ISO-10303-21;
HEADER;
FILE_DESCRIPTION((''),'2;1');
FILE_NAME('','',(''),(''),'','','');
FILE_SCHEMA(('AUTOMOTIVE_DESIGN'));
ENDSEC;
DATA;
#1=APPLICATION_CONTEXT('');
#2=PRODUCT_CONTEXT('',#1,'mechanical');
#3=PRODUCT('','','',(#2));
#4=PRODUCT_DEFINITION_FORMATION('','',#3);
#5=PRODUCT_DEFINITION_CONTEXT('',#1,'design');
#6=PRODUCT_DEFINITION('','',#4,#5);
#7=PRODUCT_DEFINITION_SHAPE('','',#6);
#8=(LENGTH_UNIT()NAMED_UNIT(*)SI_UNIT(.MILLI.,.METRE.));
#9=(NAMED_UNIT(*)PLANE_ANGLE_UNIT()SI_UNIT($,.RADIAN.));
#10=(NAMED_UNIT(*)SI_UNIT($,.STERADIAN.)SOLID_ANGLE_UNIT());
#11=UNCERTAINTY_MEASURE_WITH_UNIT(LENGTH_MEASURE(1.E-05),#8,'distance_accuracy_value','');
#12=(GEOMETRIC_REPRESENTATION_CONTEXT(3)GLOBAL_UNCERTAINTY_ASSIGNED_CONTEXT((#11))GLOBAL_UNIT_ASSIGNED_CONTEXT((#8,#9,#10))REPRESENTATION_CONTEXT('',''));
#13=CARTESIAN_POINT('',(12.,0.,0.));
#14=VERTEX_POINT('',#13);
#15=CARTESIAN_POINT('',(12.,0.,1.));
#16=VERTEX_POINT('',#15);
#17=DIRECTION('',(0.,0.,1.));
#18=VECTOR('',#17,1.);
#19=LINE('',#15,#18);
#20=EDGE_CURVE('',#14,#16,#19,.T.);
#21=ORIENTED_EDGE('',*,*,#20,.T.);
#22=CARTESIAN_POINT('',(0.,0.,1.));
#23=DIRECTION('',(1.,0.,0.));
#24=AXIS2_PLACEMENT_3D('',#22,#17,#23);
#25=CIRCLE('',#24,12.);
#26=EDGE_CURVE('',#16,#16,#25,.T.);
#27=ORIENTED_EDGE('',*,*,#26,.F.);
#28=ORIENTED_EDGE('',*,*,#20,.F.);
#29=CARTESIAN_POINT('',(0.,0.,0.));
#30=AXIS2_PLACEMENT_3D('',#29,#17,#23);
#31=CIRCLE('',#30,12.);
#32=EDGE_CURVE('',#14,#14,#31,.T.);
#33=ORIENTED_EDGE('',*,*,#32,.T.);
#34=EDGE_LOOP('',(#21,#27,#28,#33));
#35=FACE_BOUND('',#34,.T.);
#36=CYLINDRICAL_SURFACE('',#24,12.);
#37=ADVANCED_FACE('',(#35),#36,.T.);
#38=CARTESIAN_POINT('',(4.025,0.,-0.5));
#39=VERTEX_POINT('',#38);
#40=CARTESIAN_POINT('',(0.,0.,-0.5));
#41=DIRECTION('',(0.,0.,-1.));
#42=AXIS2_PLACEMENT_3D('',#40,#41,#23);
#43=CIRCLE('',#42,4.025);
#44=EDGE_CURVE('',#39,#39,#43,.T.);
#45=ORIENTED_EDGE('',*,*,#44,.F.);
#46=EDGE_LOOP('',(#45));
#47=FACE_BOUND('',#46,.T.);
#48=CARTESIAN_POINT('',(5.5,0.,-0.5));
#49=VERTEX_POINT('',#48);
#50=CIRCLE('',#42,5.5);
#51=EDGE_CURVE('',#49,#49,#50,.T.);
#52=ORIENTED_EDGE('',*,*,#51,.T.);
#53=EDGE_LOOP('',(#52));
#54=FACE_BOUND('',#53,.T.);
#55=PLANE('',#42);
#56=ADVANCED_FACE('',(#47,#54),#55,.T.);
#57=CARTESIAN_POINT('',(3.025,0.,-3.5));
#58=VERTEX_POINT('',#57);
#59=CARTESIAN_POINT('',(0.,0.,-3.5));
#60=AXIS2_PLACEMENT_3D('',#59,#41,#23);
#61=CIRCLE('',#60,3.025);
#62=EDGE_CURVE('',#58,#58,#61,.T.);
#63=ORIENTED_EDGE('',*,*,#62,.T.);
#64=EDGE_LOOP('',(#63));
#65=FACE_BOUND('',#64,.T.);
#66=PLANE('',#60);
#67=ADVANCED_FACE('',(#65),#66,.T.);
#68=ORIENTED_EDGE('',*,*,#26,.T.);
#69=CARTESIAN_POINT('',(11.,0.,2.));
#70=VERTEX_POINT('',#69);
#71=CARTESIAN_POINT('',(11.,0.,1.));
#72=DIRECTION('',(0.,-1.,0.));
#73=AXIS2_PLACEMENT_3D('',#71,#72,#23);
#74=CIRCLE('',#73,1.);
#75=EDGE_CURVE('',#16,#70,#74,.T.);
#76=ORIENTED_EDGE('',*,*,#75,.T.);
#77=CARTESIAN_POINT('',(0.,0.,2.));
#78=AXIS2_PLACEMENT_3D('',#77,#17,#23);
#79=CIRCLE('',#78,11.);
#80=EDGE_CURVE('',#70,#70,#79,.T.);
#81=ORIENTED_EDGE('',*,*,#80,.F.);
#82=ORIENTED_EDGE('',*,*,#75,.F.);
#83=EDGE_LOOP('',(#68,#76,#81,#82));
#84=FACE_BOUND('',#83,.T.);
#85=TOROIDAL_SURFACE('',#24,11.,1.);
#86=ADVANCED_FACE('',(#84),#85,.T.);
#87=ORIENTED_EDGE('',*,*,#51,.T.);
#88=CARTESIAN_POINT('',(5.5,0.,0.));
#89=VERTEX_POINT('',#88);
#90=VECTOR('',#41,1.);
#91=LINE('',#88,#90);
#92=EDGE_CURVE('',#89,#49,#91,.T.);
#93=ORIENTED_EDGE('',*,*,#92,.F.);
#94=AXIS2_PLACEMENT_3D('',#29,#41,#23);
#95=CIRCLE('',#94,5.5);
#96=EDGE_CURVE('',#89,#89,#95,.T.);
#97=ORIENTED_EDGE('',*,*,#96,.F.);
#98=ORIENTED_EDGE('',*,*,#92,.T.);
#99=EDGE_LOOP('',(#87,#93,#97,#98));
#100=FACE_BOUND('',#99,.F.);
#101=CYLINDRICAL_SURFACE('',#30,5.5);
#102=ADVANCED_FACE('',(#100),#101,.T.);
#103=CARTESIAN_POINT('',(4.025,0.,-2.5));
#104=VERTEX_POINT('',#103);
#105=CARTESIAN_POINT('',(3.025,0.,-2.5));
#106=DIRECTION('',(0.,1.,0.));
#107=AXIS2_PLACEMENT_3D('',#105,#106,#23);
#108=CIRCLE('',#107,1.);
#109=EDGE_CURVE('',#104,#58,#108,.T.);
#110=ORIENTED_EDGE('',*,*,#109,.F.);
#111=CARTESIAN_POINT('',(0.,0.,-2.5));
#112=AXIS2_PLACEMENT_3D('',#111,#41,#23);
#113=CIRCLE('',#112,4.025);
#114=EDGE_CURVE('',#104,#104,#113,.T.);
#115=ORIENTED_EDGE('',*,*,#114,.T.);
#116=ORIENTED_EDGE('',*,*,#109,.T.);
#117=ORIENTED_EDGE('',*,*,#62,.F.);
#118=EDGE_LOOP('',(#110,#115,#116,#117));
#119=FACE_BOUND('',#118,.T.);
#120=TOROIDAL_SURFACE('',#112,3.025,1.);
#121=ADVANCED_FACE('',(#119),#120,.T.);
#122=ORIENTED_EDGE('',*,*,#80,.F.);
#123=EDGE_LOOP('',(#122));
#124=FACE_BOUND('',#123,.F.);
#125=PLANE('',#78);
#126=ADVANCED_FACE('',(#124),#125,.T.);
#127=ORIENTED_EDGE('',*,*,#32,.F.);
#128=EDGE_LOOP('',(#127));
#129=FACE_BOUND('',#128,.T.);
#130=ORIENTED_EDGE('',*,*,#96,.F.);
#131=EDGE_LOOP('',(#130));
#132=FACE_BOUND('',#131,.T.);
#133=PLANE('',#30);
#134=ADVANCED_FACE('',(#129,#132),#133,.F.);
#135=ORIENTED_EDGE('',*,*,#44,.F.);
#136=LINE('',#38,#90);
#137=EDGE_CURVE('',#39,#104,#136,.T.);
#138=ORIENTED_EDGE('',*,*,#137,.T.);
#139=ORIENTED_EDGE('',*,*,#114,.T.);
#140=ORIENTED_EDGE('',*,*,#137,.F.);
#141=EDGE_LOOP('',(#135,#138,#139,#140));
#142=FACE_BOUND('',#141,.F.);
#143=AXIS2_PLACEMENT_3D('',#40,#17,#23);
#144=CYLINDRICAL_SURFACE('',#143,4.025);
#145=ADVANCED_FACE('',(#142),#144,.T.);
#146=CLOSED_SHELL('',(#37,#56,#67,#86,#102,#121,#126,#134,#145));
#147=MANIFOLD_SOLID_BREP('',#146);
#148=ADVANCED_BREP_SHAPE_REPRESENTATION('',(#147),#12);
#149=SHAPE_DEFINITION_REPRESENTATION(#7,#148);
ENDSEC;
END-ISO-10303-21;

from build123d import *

# Parameters (mm, degrees)
F0_W     = 12
F0_H     = 2
F2_R     = 1
F3_R     = 5.5
F4_DEPTH = 0.5
F5_R     = 4.025
F6_DEPTH = 3
F7_R     = 1


with BuildPart() as f1:
    # F0 (on Front) → F1 (revolve)
    with BuildSketch(Plane.XZ):
        with Locations((6, 1)):
            Rectangle(F0_W, F0_H)
    revolve(axis=Axis((0, 0, 1), (0, 0, 1)))

    # F2
    f2_edges = [f1.edges().sort_by_distance(p)[0] for p in [
        (-12, 0, 2),
    ]]
    fillet(f2_edges, radius=F2_R)

    # F3 (on face) → F4 (join)
    with BuildSketch(Plane(origin=(0, 0, 0), x_dir=(1, 0, 0), z_dir=(0, 0, -1))):
        Circle(F3_R)
    extrude(amount=F4_DEPTH)

    # F5 (on face) → F6 (join)
    with BuildSketch(Plane(origin=(0, 0, -0.5), x_dir=(1, 0, 0), z_dir=(0, 0, -1))):
        Circle(F5_R)
    extrude(amount=F6_DEPTH)

    # F7
    f7_edges = [f1.edges().sort_by_distance(p)[0] for p in [
        (-4.025, 0, -3.5),
    ]]
    fillet(f7_edges, radius=F7_R)


solid = f1.part
